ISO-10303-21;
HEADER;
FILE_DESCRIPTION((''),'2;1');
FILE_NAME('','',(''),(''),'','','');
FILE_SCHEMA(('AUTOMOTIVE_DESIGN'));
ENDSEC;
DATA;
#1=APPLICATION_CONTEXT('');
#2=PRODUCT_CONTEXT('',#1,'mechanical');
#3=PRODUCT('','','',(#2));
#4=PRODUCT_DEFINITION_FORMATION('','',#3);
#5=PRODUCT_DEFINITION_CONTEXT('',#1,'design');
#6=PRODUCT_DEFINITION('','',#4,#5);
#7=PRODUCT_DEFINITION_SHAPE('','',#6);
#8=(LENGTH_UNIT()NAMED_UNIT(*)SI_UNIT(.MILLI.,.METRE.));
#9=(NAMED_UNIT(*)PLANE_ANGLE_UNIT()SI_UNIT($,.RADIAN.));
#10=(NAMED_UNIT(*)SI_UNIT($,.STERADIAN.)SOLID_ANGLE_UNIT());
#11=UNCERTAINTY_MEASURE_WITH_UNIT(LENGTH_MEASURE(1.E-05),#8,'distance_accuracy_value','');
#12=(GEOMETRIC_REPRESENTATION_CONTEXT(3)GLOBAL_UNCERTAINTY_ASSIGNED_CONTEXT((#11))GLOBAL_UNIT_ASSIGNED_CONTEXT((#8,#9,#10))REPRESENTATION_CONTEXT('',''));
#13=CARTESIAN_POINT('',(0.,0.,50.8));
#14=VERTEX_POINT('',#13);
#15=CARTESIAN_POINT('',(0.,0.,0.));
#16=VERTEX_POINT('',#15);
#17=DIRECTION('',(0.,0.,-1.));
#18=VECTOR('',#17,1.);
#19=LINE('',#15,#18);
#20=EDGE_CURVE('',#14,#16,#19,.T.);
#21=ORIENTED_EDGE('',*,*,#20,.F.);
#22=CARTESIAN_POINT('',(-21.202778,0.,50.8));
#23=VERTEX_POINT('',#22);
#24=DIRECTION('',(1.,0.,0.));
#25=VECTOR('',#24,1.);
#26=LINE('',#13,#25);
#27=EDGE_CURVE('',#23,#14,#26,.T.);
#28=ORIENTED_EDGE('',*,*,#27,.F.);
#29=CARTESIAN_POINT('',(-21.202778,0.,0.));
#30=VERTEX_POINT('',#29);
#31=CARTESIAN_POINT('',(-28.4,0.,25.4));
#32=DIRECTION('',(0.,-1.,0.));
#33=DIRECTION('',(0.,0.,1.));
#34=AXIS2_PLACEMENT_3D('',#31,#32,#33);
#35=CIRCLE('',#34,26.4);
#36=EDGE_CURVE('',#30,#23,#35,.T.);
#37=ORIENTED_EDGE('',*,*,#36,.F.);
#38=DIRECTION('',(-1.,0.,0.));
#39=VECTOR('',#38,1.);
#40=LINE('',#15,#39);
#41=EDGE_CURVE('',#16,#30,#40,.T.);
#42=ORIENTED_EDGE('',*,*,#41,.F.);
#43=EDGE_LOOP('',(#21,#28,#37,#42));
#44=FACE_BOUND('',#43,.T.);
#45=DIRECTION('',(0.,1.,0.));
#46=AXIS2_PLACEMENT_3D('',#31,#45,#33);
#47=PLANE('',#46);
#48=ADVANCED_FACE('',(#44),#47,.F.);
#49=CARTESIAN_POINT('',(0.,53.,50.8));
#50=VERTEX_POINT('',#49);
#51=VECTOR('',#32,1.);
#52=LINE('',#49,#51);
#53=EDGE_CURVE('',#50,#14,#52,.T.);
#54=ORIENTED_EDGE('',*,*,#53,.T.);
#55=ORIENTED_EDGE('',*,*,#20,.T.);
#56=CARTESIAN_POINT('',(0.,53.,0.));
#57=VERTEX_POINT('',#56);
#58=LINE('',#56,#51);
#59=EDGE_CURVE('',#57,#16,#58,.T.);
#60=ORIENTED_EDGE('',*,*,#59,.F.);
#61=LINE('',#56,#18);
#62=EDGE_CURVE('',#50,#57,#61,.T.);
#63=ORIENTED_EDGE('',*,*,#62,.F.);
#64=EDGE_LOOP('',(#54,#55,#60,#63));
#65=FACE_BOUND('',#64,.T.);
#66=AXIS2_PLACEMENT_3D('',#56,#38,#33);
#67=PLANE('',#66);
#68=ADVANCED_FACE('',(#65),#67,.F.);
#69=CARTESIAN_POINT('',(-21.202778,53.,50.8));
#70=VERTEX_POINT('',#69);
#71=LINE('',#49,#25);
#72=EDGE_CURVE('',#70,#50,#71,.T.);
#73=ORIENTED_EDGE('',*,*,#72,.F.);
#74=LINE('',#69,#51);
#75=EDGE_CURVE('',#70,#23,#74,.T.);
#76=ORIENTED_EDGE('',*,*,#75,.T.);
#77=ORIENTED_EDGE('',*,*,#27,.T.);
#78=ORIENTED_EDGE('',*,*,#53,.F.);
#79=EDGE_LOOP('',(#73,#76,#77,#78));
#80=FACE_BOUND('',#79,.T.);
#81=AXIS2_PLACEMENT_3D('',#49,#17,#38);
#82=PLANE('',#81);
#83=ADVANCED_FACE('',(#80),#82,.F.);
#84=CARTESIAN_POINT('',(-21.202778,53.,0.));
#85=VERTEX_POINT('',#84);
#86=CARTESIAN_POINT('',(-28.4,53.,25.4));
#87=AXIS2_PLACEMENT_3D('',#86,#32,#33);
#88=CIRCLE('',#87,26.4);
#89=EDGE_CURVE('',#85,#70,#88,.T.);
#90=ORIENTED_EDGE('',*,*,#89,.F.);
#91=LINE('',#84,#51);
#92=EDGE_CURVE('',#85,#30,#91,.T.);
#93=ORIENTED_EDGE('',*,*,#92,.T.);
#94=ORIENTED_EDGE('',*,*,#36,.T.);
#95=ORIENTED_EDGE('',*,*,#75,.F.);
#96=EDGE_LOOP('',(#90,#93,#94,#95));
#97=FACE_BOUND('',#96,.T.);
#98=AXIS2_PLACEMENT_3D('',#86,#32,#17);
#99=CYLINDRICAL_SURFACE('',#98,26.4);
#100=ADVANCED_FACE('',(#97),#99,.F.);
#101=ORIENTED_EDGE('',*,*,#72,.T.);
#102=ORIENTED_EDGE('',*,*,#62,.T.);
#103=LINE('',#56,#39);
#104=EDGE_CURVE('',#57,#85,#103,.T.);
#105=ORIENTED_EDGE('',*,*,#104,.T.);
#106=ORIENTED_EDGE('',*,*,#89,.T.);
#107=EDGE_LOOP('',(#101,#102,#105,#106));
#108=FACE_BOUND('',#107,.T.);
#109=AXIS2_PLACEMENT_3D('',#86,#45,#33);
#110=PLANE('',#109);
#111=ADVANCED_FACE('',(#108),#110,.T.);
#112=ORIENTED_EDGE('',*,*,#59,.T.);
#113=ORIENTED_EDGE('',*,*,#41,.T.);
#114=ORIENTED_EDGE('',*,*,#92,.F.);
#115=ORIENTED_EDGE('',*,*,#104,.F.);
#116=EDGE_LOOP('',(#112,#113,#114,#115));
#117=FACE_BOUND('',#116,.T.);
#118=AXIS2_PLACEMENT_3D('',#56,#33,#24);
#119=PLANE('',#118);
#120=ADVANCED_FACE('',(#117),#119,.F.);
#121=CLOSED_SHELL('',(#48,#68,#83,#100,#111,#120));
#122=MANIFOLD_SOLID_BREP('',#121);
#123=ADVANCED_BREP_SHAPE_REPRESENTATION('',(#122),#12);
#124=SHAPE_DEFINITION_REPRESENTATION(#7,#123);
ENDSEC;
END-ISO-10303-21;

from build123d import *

# Parameters (mm, degrees)
EXTRUDE_1_DEPTH = 53


with BuildPart() as part:
    # 草图1 → 凸台-拉伸1 (new body)
    with BuildSketch(Plane(origin=(0, 0, 0), x_dir=(1, 0, 0), z_dir=(0, 1, 0))):
        with BuildLine():
            Line((0, 0), (0, -50.8))
            Line((0, -50.8), (-21.202778314, -50.8))
            ThreePointArc((-21.202778314, -50.8), (-2, -25.4), (-21.202778314, 0))
            Line((-21.202778314, 0), (0, 0))
        make_face()
    extrude(amount=EXTRUDE_1_DEPTH)


solid = part.part
